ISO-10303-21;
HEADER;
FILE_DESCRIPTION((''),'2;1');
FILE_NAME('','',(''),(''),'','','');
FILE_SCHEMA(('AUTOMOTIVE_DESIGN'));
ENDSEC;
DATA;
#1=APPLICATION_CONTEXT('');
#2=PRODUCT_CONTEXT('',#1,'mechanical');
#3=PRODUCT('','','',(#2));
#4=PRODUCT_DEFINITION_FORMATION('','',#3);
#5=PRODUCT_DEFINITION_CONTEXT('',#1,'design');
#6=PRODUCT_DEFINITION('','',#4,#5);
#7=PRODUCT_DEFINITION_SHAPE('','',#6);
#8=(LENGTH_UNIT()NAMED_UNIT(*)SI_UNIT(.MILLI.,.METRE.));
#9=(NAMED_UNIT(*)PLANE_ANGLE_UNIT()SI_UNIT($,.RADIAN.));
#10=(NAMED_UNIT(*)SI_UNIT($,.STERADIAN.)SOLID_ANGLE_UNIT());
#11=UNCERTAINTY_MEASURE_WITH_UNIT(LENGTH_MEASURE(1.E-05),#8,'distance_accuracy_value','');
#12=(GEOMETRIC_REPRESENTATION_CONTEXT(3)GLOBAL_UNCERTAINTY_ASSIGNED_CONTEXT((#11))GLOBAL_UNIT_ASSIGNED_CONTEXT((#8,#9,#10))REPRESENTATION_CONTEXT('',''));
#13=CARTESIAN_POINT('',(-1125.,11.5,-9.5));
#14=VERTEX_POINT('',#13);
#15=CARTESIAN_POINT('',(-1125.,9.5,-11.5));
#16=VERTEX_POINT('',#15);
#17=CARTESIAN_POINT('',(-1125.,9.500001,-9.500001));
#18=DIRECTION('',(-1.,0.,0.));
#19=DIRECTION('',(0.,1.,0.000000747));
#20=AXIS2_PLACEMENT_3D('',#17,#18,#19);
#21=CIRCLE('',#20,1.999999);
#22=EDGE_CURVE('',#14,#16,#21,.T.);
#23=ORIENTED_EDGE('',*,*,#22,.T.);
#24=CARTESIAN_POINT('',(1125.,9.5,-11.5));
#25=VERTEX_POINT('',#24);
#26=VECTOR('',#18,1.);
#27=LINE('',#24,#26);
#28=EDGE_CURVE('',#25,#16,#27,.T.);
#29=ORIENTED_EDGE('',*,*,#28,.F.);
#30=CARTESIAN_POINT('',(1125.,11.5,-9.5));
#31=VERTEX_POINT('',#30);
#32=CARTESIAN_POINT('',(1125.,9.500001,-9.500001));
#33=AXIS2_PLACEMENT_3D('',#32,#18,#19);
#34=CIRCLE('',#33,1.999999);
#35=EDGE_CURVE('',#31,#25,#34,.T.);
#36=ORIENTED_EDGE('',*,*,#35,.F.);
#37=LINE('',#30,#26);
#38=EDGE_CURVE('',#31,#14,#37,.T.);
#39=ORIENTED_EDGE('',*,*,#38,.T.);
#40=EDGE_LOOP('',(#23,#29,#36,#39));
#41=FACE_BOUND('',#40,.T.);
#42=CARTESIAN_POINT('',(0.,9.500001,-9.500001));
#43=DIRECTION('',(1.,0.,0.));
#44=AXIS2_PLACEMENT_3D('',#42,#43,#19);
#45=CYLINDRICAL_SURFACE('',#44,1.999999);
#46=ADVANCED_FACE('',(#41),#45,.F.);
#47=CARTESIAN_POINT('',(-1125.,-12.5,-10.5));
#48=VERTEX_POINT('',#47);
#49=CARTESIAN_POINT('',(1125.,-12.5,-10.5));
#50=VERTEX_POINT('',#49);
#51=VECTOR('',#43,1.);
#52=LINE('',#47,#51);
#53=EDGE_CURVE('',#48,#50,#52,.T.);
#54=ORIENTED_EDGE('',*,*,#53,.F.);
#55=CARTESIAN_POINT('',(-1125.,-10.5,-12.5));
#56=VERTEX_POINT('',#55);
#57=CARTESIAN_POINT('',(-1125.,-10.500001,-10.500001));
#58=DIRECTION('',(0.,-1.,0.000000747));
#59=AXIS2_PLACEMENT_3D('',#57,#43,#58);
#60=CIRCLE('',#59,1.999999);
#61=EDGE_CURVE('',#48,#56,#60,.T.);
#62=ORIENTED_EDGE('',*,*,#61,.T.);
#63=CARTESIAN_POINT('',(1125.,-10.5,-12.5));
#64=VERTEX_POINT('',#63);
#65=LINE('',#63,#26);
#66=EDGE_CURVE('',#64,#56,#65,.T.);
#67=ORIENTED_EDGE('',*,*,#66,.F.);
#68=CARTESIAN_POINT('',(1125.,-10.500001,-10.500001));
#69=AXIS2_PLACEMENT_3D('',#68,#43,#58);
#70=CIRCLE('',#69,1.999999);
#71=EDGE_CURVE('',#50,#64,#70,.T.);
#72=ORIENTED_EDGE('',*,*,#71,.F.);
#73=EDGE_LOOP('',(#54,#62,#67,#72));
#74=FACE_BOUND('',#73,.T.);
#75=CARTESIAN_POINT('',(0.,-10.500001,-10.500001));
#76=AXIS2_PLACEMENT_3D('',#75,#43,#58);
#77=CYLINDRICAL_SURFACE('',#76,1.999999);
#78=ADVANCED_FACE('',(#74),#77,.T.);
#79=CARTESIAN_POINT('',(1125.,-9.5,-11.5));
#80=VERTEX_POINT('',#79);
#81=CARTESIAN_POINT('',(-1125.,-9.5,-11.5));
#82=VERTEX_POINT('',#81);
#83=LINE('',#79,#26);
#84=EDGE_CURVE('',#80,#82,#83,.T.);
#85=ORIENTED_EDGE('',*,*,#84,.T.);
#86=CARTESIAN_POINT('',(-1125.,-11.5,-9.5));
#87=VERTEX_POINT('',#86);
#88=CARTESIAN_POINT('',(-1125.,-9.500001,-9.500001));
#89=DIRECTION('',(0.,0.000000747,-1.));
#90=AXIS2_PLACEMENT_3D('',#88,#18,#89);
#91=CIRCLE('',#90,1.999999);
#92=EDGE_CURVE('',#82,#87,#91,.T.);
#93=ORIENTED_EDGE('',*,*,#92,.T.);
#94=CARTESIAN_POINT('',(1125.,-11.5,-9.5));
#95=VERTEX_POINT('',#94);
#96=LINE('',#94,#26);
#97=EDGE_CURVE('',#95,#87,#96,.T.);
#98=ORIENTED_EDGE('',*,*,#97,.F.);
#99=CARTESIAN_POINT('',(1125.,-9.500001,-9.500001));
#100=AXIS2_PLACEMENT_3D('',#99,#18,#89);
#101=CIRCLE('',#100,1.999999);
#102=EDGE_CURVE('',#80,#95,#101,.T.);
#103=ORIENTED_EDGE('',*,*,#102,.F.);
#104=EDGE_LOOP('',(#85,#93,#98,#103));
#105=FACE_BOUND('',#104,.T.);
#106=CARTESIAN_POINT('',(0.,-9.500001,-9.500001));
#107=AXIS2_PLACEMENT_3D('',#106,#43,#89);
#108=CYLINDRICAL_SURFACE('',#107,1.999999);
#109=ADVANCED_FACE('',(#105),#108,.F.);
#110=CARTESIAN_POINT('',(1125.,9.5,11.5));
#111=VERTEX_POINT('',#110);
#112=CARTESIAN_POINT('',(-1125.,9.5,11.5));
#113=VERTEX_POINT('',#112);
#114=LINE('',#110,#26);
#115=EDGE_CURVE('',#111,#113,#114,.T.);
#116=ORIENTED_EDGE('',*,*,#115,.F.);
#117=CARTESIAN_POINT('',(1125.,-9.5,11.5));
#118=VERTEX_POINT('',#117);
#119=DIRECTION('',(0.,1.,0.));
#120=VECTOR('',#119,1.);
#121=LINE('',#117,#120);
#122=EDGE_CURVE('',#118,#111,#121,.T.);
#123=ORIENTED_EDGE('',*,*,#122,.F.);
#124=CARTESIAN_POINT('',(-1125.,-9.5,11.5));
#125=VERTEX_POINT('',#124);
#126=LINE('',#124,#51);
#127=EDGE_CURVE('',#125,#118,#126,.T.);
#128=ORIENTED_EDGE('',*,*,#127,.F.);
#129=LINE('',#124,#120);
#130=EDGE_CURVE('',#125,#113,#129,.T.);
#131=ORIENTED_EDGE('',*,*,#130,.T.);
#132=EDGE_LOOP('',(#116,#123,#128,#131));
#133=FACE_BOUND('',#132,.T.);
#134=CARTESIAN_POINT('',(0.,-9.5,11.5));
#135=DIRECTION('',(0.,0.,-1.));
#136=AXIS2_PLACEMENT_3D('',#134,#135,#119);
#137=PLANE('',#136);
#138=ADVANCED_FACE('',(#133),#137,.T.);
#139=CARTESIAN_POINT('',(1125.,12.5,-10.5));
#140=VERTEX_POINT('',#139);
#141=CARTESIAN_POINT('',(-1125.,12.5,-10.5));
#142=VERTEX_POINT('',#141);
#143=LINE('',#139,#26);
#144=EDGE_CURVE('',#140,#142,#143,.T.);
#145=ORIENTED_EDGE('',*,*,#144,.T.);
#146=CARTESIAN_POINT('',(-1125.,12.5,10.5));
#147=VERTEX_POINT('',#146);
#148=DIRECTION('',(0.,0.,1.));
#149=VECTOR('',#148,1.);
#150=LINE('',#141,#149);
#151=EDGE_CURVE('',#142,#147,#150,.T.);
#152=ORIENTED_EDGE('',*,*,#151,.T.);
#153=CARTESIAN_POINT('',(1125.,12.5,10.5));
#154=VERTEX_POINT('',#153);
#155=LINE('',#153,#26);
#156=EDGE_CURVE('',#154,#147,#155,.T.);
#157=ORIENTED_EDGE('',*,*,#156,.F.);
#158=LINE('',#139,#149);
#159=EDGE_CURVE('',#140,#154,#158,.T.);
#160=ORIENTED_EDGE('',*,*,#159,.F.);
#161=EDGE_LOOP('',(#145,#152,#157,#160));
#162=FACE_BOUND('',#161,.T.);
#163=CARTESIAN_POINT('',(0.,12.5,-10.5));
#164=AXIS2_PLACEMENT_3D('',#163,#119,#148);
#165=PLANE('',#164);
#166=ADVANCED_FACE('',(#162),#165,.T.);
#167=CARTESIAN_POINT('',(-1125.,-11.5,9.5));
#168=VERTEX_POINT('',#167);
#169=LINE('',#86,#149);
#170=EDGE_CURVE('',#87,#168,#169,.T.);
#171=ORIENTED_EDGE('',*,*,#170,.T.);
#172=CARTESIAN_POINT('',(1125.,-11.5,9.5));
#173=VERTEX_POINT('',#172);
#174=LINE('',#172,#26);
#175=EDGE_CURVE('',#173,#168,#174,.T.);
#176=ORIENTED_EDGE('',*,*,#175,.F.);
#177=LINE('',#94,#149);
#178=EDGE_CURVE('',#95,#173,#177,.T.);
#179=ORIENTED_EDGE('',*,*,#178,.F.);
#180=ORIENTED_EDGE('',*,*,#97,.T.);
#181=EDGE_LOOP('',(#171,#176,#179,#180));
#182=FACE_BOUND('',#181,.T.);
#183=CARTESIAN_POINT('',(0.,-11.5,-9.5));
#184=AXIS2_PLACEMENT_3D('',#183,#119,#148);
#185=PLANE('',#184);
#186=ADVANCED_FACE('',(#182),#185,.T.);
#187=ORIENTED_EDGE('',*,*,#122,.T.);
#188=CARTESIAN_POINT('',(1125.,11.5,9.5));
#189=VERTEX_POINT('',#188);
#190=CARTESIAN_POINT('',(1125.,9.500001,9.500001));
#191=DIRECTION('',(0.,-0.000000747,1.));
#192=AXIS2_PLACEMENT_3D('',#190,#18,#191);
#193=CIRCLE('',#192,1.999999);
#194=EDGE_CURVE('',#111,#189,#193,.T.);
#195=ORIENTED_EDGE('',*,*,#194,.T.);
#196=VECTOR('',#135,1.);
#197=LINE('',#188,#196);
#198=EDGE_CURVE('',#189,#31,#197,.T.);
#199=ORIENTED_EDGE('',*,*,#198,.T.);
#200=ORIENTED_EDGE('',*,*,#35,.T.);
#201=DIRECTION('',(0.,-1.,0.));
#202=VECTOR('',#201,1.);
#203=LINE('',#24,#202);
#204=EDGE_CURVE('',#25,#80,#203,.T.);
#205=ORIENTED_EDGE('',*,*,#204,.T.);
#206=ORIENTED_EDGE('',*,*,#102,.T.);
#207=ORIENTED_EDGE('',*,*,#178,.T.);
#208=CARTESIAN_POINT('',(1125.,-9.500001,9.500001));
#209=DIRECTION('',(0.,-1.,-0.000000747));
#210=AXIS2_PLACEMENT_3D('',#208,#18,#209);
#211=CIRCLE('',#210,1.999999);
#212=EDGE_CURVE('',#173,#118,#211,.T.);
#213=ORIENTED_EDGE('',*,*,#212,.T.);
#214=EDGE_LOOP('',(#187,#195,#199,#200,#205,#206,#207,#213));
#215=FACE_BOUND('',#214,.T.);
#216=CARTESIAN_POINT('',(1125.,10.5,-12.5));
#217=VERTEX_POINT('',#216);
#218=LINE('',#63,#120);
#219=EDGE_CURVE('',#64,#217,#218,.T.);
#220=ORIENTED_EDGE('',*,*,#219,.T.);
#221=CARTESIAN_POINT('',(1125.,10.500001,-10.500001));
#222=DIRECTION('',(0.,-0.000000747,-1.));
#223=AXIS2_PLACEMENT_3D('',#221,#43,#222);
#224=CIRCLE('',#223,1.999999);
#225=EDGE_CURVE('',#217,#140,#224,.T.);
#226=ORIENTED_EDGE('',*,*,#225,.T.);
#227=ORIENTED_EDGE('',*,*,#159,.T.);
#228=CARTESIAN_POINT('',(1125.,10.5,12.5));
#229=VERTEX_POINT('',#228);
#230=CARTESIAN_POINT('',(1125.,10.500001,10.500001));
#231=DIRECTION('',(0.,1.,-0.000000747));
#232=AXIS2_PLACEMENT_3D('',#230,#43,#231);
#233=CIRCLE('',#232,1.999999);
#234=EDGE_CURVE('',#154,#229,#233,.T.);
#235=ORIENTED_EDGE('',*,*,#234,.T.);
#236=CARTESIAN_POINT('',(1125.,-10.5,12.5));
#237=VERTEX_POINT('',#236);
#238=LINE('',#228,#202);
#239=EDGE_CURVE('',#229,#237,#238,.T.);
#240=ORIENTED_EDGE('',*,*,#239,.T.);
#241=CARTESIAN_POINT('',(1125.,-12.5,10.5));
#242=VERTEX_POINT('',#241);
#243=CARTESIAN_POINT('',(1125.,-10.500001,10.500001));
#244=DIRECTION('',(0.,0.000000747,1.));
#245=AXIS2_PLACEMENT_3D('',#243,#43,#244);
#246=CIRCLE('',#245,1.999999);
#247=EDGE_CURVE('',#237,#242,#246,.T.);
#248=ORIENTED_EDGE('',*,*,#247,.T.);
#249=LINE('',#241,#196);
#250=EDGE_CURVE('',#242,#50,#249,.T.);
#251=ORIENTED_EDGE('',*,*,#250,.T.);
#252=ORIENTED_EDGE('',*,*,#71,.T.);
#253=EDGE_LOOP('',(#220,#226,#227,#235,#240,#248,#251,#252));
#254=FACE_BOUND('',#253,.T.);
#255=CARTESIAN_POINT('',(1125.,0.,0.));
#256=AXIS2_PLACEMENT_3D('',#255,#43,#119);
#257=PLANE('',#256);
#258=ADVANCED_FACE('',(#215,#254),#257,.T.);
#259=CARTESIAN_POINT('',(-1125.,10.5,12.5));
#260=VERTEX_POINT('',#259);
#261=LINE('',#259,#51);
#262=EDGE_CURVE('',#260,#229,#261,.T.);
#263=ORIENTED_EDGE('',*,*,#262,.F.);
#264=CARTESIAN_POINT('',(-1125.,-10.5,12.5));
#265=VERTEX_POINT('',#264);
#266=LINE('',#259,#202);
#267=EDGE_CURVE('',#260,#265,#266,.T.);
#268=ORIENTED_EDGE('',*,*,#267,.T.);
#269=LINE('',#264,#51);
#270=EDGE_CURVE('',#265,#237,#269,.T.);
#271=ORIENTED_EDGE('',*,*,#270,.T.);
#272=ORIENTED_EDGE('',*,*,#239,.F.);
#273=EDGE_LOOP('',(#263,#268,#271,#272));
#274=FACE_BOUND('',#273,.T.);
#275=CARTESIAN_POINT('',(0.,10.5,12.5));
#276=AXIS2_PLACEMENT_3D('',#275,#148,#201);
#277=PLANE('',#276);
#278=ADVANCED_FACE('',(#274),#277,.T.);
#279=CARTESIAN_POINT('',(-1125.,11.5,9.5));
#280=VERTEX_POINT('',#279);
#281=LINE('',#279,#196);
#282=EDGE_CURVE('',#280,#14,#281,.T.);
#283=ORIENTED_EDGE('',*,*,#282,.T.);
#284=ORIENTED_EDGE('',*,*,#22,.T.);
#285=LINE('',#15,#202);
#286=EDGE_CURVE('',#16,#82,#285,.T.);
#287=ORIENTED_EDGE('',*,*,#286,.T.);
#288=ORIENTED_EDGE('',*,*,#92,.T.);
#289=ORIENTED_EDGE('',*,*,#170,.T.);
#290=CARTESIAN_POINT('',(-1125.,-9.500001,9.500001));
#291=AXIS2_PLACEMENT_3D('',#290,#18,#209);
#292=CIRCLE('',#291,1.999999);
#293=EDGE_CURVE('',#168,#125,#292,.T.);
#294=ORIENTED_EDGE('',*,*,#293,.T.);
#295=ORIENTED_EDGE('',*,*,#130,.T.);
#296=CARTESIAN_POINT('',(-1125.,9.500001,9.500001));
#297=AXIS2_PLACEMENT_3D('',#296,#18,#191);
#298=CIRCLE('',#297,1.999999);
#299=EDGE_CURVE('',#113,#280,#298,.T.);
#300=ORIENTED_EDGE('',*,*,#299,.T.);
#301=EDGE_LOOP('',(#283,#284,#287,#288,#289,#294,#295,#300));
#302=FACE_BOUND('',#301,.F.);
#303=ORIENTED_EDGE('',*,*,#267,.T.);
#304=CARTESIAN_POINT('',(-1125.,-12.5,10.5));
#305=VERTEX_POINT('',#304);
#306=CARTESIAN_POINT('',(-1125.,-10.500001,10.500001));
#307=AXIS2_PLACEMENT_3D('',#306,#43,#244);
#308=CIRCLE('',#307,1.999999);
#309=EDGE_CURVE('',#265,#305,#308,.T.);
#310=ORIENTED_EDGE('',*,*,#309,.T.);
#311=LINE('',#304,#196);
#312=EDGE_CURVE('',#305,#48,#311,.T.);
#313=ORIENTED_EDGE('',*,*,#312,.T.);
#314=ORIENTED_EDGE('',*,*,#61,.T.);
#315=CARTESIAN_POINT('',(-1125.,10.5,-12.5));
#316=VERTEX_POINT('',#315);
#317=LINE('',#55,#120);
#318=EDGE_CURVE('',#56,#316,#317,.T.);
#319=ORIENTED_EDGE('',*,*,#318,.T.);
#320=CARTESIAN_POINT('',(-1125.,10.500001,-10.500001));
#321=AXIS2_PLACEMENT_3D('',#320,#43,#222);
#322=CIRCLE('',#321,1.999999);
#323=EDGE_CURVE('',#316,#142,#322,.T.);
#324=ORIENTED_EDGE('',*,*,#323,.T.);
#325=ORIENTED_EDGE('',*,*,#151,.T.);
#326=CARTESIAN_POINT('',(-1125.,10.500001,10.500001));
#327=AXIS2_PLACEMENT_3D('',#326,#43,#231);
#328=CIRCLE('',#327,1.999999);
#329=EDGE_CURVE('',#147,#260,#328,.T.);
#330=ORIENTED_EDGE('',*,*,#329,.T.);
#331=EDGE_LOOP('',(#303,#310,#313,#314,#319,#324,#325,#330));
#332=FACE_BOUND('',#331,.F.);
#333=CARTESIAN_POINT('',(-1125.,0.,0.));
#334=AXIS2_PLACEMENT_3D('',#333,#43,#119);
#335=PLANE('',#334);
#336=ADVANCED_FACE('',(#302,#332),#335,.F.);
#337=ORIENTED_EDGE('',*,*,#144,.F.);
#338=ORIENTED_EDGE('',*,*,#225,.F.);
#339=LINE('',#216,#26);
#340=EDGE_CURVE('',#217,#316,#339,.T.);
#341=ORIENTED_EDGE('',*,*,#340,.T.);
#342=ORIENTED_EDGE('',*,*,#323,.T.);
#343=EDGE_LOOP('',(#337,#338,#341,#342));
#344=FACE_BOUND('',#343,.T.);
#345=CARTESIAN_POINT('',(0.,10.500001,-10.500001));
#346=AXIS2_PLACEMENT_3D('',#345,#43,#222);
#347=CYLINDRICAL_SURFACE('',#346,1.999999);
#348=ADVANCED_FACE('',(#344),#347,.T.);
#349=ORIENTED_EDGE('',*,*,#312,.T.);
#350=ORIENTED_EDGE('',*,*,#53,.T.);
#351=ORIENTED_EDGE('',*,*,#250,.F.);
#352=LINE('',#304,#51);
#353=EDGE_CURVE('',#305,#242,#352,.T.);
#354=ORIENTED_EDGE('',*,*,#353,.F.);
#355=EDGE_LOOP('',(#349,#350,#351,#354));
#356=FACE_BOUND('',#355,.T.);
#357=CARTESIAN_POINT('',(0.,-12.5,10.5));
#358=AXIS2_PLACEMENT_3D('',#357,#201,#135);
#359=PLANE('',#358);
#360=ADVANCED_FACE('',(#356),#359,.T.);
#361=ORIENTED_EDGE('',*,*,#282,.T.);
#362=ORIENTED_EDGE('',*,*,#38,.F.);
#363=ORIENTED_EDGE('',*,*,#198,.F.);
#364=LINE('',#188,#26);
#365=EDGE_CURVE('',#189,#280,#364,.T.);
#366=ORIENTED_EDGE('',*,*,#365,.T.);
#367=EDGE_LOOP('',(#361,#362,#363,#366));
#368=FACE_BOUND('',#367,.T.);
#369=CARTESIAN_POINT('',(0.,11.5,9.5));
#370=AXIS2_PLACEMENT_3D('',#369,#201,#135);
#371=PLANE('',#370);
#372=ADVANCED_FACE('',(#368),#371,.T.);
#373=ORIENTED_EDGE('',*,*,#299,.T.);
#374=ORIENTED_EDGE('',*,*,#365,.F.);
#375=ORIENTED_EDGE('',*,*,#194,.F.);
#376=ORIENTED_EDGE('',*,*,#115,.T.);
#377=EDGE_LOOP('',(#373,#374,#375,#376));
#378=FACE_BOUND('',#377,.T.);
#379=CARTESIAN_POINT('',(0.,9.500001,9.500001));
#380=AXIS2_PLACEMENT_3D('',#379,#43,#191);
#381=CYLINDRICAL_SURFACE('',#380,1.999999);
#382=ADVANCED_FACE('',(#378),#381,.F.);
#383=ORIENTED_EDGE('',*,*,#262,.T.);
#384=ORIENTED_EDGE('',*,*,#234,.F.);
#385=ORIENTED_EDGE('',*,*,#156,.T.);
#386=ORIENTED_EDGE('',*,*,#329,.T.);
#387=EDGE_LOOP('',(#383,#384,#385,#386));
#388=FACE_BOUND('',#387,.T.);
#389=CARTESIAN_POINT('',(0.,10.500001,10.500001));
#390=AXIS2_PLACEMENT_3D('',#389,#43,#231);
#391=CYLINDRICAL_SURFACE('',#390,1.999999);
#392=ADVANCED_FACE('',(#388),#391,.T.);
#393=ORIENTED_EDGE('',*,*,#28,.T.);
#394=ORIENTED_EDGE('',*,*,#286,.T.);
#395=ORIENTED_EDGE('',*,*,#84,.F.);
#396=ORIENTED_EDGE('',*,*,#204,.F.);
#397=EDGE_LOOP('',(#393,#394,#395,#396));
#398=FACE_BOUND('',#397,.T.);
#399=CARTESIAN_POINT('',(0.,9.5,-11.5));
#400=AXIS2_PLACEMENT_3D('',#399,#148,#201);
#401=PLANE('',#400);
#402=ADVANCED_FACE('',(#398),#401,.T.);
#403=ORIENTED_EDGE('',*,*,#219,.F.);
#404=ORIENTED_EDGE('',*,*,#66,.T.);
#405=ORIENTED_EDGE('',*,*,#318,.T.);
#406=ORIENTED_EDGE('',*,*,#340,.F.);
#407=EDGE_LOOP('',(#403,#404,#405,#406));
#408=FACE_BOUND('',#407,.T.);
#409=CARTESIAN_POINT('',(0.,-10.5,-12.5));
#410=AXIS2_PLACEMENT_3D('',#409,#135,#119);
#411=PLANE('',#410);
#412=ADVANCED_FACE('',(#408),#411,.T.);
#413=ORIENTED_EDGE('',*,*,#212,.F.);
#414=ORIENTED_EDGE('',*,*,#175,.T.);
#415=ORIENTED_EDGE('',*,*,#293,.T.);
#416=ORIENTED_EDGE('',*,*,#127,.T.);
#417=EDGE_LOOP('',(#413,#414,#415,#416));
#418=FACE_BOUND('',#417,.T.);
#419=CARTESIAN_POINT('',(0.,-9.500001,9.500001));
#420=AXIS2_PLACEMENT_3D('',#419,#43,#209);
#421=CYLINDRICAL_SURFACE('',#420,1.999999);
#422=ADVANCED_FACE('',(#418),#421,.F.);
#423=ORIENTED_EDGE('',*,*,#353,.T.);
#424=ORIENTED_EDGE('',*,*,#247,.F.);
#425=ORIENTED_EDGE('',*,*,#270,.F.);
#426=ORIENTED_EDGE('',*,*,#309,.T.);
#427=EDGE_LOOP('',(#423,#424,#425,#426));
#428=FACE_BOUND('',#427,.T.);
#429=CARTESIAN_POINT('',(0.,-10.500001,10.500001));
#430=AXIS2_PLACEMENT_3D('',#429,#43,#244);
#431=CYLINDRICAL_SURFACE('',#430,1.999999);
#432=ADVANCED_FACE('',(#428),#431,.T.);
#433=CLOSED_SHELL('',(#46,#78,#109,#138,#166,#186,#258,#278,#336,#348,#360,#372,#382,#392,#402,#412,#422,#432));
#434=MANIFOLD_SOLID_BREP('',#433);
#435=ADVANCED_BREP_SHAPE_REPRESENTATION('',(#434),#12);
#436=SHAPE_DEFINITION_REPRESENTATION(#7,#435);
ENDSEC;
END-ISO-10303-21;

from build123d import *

# Parameters (mm, degrees)
F1_DEPTH = 1125


with BuildPart() as f1:
    # F0 (on Right) → F1 (new body, symmetric)
    with BuildSketch(Plane.YZ):
        with BuildLine():
            ThreePointArc((12.5, 10.5), (11.914214, 11.914214), (10.5, 12.5))
            Line((10.5, 12.5), (-10.5, 12.5))
            ThreePointArc((-10.5, 12.5), (-11.914214, 11.914214), (-12.5, 10.5))
            Line((-12.5, 10.5), (-12.5, -10.5))
            ThreePointArc((-12.5, -10.5), (-11.914214, -11.914214), (-10.5, -12.5))
            Line((-10.5, -12.5), (10.5, -12.5))
            ThreePointArc((10.5, -12.5), (11.914214, -11.914214), (12.5, -10.5))
            Line((12.5, -10.5), (12.5, 10.5))
        make_face()
        with BuildLine():
            Line((-9.5, 11.5), (9.5, 11.5))
            ThreePointArc((9.5, 11.5), (10.914214, 10.914214), (11.5, 9.5))
            Line((11.5, 9.5), (11.5, -9.5))
            ThreePointArc((11.5, -9.5), (10.914214, -10.914214), (9.5, -11.5))
            Line((9.5, -11.5), (-9.5, -11.5))
            ThreePointArc((-9.5, -11.5), (-10.914214, -10.914214), (-11.5, -9.5))
            Line((-11.5, -9.5), (-11.5, 9.5))
            ThreePointArc((-11.5, 9.5), (-10.914214, 10.914214), (-9.5, 11.5))
        make_face(mode=Mode.SUBTRACT)
    extrude(amount=F1_DEPTH, both=True)


solid = f1.part
